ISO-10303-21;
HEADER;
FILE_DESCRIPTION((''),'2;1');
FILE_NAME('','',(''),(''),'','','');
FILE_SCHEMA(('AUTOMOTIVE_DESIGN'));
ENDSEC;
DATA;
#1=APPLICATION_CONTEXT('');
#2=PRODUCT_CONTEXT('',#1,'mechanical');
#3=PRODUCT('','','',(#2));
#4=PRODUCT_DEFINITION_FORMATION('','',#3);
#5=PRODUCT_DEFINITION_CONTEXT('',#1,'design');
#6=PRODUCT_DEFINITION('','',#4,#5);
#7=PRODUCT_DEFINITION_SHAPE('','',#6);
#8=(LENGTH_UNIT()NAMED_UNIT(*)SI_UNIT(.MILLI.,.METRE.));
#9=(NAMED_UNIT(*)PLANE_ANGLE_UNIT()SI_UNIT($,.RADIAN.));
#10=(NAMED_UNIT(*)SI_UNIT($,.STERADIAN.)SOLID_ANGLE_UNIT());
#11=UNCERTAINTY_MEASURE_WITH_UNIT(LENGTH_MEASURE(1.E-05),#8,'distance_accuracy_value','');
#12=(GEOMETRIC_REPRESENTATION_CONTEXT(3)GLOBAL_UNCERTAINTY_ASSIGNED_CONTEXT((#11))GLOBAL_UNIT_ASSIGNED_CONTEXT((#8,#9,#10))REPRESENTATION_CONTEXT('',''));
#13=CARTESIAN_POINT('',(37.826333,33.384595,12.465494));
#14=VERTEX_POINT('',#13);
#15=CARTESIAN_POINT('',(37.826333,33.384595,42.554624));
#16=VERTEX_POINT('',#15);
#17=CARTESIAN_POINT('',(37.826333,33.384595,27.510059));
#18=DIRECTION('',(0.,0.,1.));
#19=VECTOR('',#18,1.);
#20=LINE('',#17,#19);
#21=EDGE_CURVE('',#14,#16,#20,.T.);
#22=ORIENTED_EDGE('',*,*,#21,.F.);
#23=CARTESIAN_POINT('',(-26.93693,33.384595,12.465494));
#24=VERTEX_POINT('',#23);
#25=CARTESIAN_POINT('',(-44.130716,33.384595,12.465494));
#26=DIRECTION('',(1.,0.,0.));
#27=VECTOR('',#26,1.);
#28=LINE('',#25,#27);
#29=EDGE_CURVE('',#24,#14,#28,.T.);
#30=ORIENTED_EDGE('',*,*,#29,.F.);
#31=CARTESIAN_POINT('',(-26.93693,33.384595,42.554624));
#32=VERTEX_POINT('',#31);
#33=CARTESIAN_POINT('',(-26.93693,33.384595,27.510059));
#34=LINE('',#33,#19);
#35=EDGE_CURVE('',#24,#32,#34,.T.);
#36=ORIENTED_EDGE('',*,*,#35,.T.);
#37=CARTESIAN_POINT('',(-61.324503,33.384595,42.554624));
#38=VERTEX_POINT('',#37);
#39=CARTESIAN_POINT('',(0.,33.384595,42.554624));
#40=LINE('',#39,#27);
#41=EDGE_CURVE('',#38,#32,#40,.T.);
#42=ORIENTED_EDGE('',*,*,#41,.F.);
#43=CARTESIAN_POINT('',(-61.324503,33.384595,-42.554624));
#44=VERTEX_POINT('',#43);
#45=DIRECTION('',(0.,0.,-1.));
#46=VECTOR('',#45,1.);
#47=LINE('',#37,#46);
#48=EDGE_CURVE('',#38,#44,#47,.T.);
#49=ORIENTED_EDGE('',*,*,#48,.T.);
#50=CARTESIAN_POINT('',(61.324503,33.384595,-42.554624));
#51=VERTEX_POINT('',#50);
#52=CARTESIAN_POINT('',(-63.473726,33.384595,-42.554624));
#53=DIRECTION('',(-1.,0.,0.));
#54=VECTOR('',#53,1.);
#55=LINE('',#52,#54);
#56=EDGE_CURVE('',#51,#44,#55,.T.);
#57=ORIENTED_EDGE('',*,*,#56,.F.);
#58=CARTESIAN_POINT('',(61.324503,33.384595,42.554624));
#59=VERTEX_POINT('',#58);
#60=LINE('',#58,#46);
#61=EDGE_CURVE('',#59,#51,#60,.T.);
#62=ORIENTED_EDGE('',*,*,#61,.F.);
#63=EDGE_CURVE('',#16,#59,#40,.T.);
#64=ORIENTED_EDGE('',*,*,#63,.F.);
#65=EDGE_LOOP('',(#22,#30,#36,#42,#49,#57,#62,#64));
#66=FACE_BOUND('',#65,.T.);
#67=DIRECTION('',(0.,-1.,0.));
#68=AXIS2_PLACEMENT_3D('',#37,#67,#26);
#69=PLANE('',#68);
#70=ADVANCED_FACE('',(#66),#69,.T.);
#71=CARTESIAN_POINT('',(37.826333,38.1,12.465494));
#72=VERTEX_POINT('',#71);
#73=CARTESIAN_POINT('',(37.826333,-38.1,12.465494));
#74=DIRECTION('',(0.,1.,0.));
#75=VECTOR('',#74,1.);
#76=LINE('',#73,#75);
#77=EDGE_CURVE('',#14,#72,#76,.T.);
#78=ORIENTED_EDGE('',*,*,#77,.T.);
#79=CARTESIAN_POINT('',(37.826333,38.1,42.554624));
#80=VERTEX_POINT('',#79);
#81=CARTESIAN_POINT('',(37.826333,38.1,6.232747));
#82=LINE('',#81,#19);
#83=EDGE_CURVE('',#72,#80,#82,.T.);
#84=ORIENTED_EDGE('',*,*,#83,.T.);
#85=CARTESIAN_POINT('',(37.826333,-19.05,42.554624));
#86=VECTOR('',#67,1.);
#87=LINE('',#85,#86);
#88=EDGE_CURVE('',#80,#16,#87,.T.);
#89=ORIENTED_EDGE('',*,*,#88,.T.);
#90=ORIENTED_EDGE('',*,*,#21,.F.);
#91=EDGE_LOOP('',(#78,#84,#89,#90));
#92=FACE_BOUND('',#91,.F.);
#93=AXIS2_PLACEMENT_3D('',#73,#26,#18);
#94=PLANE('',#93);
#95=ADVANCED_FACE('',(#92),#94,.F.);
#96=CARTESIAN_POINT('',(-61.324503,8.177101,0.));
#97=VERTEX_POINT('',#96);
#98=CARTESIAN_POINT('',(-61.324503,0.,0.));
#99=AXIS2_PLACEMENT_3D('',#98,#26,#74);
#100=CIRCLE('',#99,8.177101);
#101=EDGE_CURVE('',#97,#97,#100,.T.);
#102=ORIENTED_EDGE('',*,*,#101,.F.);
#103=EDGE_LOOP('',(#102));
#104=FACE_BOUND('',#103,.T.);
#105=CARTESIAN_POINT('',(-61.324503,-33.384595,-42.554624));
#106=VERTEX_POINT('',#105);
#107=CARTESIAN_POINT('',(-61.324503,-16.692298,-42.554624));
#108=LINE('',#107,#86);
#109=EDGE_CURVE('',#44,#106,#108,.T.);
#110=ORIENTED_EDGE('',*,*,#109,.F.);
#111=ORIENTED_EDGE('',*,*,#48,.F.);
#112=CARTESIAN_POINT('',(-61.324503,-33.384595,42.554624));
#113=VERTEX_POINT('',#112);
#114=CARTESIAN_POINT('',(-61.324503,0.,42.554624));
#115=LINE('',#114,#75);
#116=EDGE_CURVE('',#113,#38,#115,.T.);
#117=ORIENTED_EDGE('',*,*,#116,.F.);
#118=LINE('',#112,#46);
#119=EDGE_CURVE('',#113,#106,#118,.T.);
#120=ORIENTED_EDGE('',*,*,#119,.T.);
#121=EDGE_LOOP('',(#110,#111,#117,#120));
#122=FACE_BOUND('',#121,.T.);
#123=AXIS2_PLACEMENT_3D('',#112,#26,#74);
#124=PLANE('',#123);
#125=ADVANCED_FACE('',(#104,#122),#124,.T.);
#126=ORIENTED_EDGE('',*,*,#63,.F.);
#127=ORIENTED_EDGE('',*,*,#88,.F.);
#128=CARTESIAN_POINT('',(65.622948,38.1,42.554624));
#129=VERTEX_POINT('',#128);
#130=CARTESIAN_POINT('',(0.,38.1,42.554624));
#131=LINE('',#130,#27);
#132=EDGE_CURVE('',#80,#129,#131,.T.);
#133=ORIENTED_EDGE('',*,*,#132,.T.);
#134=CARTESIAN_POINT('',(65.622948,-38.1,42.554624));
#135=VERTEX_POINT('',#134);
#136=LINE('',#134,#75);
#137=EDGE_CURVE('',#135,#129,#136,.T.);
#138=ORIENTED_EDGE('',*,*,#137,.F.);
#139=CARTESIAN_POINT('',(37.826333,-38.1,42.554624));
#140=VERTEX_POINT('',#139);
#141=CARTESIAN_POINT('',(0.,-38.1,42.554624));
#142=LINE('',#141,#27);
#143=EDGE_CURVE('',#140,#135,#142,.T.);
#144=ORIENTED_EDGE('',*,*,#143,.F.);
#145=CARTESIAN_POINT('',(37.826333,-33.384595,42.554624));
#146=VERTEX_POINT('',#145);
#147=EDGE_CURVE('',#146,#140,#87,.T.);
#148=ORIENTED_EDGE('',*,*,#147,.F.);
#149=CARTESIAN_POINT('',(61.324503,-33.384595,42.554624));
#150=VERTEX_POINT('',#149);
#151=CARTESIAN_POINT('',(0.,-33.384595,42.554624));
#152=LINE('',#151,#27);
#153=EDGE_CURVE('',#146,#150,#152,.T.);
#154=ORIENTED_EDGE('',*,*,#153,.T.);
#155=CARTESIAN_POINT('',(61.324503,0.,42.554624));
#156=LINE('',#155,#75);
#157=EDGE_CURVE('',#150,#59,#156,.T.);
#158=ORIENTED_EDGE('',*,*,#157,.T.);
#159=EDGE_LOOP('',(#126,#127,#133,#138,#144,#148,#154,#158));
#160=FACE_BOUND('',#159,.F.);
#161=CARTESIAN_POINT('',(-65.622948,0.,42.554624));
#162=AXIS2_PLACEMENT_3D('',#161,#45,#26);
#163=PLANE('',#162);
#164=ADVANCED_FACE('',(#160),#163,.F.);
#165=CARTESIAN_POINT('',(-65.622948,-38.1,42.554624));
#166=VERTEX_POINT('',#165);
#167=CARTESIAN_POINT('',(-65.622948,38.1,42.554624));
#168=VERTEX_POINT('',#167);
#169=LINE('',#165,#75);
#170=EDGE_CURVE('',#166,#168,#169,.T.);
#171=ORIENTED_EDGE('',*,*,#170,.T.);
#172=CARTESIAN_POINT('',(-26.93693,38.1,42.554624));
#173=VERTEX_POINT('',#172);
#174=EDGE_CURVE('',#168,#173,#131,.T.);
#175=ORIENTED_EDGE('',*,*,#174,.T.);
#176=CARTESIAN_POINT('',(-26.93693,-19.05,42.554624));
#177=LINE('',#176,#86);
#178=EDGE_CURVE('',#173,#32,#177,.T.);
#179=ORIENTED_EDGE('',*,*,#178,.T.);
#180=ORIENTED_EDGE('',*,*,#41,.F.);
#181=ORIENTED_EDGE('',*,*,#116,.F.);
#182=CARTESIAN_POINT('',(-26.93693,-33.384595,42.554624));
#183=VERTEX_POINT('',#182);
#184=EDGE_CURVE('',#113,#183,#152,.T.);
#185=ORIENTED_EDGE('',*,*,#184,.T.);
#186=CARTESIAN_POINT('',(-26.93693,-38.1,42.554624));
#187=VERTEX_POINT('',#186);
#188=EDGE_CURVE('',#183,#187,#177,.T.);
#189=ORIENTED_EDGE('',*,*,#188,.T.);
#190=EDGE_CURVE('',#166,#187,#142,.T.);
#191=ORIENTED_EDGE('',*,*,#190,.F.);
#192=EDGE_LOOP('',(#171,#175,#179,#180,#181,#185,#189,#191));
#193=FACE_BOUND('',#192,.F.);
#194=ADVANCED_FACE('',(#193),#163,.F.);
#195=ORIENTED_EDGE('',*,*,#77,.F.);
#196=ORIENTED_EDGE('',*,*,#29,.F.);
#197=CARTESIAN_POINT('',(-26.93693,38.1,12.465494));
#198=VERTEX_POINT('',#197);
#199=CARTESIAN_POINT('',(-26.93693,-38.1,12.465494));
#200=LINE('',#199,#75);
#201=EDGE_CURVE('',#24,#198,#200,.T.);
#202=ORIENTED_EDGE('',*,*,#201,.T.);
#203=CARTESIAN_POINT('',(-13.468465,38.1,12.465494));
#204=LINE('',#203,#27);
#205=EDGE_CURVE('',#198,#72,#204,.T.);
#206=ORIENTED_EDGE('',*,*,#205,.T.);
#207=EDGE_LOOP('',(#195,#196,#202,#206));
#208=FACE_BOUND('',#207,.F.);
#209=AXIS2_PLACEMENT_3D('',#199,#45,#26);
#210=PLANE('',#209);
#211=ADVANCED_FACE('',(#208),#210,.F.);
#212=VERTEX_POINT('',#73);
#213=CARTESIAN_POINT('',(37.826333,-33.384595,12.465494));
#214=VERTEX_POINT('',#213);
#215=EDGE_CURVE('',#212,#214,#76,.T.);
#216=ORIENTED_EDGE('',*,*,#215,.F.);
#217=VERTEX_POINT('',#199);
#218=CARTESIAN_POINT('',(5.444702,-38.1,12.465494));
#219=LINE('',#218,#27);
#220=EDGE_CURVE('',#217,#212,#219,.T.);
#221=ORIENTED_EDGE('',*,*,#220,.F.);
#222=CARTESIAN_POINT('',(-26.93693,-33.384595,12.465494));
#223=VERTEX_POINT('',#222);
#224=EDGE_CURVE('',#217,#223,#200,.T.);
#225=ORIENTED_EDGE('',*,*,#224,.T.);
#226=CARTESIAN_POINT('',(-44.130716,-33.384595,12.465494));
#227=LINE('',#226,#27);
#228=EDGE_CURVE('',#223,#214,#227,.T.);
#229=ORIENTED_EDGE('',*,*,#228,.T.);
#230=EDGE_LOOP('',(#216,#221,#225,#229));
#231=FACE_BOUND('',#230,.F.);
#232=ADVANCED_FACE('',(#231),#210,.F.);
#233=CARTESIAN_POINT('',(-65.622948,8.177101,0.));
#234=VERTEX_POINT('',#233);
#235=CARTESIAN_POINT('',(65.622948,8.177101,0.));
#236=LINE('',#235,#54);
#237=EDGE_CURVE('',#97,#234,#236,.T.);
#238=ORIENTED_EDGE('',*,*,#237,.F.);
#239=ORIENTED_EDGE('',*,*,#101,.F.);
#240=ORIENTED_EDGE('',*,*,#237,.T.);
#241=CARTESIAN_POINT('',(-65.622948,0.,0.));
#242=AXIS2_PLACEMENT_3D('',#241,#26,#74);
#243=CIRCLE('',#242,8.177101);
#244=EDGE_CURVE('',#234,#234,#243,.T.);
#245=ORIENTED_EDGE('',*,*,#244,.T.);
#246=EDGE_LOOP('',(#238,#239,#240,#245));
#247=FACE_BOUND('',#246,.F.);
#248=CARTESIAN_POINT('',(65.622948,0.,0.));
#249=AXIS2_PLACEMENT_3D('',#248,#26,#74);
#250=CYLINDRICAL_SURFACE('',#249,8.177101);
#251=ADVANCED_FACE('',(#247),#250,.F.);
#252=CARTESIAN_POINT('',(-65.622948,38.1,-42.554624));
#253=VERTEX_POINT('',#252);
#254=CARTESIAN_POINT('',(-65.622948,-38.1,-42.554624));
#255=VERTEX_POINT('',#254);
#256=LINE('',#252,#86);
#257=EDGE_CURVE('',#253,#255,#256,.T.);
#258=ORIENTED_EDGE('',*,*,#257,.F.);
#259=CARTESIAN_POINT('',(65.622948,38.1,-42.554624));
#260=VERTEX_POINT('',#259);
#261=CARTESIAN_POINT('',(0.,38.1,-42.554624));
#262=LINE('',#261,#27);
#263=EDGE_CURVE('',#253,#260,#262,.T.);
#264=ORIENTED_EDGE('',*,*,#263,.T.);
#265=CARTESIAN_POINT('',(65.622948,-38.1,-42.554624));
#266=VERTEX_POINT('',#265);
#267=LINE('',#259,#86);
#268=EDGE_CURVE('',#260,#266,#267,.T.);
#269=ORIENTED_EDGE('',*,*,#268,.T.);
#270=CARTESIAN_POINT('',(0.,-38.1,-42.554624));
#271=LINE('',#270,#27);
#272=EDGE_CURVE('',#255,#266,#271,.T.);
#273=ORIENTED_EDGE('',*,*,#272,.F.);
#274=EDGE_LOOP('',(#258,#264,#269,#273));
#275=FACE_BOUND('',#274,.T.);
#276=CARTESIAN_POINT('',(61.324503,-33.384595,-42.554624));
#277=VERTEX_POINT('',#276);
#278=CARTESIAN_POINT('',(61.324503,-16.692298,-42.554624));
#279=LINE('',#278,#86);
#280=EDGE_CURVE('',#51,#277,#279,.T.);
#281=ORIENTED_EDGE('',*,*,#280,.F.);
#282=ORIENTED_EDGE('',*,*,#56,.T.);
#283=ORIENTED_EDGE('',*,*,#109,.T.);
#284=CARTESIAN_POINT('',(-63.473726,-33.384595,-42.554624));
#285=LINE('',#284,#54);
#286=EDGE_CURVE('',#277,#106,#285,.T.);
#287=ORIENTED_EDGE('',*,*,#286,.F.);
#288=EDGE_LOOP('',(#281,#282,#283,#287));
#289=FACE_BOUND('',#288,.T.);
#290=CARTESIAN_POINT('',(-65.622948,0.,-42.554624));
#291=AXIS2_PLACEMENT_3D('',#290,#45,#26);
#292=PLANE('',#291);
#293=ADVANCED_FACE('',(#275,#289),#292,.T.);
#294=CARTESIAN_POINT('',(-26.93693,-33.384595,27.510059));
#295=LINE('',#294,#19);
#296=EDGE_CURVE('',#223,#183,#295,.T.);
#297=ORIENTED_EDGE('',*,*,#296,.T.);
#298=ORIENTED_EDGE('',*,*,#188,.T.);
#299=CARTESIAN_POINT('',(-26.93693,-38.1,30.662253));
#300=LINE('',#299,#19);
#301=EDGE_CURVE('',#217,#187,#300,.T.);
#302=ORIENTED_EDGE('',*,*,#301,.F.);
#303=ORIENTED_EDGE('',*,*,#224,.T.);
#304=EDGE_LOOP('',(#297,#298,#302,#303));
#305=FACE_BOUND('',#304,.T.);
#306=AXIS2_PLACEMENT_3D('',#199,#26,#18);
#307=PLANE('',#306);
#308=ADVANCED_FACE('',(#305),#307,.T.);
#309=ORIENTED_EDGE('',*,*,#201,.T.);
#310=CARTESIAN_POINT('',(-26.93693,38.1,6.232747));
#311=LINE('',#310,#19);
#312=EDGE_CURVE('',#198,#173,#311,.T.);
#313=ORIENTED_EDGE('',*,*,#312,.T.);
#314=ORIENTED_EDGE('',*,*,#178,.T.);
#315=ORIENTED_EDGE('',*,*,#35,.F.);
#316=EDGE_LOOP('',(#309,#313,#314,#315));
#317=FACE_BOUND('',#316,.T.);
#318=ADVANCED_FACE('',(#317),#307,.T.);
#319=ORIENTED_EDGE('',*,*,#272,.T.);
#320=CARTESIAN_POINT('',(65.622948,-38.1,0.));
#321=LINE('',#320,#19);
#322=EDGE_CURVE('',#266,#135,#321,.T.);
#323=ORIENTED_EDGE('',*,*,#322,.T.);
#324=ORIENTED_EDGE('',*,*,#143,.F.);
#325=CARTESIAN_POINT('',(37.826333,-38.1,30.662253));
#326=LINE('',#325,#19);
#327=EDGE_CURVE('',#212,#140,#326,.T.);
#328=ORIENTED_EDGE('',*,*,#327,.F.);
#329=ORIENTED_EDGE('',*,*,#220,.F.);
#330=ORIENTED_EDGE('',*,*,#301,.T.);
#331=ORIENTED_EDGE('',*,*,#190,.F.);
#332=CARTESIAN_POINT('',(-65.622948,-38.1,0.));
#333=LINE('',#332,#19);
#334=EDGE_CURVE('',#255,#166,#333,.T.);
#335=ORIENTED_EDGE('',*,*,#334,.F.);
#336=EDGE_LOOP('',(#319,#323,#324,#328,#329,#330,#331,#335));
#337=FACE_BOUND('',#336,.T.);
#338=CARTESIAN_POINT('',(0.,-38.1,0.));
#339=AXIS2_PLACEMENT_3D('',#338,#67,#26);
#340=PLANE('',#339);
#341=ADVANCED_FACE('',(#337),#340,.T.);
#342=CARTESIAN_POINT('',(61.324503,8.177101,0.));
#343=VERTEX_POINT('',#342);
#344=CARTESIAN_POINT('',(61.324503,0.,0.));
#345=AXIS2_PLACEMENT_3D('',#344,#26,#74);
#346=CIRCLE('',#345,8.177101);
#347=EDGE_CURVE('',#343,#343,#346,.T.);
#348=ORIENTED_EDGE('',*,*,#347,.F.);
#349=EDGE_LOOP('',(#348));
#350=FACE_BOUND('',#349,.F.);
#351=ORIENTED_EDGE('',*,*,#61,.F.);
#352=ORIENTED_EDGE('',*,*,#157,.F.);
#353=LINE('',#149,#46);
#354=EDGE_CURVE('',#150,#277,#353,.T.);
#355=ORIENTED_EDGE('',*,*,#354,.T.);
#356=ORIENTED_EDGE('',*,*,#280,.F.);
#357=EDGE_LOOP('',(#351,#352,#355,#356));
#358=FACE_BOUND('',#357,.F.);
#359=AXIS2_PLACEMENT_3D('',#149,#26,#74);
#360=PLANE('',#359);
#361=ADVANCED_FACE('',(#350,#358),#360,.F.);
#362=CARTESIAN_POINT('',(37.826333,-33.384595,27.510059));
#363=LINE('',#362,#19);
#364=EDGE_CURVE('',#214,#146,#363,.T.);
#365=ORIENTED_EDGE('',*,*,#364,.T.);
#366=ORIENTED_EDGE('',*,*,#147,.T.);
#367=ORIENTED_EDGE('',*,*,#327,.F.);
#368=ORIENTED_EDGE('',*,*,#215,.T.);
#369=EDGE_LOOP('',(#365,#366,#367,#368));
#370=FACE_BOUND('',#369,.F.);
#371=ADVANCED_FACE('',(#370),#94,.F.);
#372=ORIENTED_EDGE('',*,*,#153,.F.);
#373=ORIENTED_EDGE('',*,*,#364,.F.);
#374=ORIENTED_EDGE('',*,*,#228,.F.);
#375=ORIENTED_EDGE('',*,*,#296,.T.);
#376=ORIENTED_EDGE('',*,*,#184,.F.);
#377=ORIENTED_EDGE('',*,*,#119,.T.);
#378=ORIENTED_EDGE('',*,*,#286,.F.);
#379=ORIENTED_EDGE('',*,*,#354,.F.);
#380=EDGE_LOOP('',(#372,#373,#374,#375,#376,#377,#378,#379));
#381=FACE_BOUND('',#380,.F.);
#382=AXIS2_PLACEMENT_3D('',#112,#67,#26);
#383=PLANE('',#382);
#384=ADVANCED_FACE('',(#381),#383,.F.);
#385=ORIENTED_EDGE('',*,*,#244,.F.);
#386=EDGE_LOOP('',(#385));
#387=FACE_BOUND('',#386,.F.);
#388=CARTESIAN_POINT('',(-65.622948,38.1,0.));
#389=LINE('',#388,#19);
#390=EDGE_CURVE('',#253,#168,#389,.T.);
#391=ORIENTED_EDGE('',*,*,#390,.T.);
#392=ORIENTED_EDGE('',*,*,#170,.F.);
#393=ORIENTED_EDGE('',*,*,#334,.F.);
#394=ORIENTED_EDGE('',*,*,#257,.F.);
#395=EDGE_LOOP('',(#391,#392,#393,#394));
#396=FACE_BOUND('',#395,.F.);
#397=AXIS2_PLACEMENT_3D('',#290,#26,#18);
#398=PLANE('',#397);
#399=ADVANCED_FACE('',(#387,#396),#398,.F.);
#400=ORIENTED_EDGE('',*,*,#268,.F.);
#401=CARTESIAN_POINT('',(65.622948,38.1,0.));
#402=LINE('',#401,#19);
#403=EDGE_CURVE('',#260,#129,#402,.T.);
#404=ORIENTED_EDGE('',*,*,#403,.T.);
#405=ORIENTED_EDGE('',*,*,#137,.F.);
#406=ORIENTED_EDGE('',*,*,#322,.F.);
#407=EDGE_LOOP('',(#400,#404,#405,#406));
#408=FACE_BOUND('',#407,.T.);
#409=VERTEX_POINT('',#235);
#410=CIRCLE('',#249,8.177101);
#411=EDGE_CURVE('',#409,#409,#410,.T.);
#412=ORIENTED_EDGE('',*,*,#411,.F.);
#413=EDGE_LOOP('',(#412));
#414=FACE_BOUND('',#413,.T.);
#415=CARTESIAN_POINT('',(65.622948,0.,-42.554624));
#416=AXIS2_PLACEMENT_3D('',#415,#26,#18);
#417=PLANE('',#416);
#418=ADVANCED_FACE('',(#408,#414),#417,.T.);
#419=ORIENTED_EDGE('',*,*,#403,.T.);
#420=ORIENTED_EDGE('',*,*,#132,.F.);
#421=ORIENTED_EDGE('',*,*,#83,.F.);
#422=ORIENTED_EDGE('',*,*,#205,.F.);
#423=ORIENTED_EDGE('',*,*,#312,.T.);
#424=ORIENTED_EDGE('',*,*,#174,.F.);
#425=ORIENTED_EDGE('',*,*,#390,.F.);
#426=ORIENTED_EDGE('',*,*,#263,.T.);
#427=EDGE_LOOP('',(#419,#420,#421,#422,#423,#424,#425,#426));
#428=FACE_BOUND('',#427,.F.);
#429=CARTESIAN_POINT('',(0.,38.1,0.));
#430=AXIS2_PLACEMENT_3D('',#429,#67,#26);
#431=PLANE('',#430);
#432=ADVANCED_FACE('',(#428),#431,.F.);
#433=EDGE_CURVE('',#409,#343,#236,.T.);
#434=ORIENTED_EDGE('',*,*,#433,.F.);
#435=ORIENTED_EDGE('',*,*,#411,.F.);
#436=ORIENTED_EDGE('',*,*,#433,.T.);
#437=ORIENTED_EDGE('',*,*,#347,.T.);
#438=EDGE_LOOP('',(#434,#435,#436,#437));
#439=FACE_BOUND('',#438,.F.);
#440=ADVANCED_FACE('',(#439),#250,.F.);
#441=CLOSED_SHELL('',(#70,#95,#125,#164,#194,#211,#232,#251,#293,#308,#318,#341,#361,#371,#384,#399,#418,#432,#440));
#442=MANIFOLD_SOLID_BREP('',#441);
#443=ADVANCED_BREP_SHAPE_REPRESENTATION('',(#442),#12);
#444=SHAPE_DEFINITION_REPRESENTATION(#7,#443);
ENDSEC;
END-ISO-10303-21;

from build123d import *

# Parameters (mm, degrees)
F0_W     = 131.2458962202
F0_H     = 85.1092487574
F1_DEPTH = 38.1
F2_W     = 122.6490065455
F2_H     = 66.7691901326
F3_DEPTH = 109.982
F4_R     = 8.1771007469
F5_DEPTH = 175.514
F6_W     = 64.7632628679
F6_H     = 36.3935176283
F7_DEPTH = 112.776


with BuildPart() as f1:
    # F0 (on Front) → F1 (new body, symmetric)
    with BuildSketch(Plane.XZ):
        Rectangle(F0_W, F0_H)
    extrude(amount=F1_DEPTH, both=True)

    # F2 (on face) → F3 (cut)
    with BuildSketch(Plane.XY.offset(42.5546243787)):
        Rectangle(F2_W, F2_H)
    extrude(amount=-F3_DEPTH, mode=Mode.SUBTRACT)

    # F4 (on face) → F5 (cut)
    with BuildSketch(Plane.YZ.offset(65.6229481101)):
        Circle(F4_R)
    extrude(amount=-F5_DEPTH, mode=Mode.SUBTRACT)

    # F6 (on face) → F7 (cut)
    with BuildSketch(Plane.XZ.offset(38.1)):
        with Locations((5.444701761, 30.6622525677)):
            Rectangle(F6_W, F6_H)
    extrude(amount=-F7_DEPTH, mode=Mode.SUBTRACT)


solid = f1.part
